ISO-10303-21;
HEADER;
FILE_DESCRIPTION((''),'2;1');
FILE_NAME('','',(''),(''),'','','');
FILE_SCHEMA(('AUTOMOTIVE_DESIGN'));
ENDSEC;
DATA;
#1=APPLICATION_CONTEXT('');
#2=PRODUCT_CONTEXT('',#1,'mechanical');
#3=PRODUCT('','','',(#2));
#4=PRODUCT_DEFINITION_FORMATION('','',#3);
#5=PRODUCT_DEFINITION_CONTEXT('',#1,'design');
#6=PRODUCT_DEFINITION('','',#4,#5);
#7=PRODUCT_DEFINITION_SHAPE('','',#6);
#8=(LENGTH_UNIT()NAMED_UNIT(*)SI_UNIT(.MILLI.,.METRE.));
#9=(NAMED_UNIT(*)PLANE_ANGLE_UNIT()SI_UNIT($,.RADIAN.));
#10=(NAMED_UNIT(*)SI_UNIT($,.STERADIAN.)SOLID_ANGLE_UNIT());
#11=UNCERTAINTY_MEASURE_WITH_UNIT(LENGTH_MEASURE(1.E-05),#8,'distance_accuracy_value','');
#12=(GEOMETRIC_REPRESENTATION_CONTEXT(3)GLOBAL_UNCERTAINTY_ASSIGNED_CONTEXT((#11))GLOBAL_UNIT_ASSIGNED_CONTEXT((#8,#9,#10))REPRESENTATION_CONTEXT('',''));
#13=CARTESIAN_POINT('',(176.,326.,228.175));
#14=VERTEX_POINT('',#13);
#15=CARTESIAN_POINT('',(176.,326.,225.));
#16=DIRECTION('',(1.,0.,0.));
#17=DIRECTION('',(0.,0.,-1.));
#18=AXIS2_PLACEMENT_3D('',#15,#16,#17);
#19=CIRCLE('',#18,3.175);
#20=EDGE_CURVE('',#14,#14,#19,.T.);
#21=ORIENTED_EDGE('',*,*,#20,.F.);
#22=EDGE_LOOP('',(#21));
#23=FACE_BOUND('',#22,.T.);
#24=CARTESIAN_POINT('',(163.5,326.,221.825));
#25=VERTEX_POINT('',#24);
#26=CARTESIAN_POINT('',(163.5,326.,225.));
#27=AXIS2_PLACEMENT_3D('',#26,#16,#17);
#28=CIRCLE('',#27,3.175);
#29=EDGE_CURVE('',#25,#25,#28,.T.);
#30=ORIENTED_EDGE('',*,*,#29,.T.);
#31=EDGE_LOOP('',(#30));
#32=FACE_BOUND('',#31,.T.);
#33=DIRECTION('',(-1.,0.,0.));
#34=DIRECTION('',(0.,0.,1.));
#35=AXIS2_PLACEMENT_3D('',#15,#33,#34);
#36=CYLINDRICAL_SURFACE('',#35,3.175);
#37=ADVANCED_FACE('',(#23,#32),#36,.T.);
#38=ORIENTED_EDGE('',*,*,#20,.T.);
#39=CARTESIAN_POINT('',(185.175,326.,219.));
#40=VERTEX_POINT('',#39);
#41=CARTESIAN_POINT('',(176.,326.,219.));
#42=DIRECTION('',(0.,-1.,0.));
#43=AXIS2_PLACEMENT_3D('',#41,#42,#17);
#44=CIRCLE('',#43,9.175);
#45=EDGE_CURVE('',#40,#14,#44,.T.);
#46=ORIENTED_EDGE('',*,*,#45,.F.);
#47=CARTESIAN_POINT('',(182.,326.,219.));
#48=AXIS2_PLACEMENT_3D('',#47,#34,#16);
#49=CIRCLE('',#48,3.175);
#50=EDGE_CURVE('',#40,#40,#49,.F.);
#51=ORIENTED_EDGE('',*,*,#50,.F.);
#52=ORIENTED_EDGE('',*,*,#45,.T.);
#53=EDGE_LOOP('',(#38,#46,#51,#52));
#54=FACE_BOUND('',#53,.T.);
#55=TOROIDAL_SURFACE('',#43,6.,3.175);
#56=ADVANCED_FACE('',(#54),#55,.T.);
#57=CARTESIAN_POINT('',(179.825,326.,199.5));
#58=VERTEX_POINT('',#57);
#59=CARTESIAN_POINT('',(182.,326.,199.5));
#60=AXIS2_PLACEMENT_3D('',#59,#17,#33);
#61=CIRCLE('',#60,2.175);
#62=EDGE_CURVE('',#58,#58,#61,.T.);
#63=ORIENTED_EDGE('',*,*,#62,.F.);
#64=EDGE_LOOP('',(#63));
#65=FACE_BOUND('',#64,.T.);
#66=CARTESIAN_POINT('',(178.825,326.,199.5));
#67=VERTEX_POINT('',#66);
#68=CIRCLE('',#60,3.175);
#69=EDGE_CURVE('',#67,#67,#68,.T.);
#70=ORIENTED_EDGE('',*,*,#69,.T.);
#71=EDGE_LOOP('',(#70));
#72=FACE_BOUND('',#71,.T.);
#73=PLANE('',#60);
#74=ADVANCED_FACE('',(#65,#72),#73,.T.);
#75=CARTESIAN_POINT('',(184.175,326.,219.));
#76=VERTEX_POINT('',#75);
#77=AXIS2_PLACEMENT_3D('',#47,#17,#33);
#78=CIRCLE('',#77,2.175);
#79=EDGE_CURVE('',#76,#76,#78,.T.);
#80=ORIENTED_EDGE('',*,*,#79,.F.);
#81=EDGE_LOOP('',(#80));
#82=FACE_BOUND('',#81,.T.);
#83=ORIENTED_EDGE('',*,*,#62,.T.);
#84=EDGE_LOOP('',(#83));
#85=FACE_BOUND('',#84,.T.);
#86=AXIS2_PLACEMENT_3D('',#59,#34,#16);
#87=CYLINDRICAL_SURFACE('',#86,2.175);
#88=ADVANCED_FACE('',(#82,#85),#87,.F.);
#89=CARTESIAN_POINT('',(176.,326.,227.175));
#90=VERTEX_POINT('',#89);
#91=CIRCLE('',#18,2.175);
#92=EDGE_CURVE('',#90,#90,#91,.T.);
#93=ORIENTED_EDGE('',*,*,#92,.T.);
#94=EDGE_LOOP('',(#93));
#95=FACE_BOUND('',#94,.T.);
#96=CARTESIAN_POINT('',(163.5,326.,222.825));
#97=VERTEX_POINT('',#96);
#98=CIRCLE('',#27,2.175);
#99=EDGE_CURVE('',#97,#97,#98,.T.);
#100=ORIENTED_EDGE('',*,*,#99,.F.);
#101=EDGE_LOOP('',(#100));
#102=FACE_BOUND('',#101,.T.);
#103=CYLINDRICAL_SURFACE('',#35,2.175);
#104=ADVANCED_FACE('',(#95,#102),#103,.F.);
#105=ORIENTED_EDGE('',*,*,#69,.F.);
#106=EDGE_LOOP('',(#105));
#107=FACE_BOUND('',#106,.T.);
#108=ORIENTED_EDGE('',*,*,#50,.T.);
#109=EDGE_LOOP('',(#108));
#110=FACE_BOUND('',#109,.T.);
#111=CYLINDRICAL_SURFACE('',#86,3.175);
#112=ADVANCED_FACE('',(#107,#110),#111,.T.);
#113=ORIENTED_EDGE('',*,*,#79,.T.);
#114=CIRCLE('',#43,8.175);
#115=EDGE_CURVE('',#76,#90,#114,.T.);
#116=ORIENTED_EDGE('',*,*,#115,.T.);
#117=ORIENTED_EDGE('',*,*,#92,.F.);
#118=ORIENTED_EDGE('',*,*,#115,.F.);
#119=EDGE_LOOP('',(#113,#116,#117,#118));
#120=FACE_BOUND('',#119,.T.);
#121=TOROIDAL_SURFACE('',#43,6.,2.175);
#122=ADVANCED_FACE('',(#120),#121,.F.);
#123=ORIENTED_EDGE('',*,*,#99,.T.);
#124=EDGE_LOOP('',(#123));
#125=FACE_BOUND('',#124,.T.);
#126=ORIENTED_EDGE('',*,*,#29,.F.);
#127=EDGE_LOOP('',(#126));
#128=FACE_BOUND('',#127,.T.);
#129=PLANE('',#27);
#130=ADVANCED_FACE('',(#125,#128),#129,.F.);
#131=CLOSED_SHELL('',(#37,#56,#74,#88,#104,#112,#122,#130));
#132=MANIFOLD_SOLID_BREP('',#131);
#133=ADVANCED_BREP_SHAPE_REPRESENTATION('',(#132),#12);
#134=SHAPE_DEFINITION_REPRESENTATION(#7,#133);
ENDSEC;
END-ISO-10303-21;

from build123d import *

# Parameters (mm, degrees)
TUBE_PROFILE_R   = 3.175
TUBE_PROFILE_R_2 = 2.175


with BuildPart() as part:
    # Tube: sweep along a curve in space
    with BuildLine() as tube_path:
        Line((182, 326, 199.5), (182, 326, 219))
        ThreePointArc((176, 326, 225), (180.242640687, 326, 223.242640687), (182, 326, 219))
        Line((176, 326, 225), (163.5, 326, 225))
    # Tube profile (on start of the path) → Tube (sweep)
    with BuildSketch(Plane(origin=(182, 326, 199.5), x_dir=(1, 0, 0), z_dir=(0, 0, 1))):
        Circle(TUBE_PROFILE_R)
        Circle(TUBE_PROFILE_R_2, mode=Mode.SUBTRACT)
    sweep(path=tube_path.line)


solid = part.part
